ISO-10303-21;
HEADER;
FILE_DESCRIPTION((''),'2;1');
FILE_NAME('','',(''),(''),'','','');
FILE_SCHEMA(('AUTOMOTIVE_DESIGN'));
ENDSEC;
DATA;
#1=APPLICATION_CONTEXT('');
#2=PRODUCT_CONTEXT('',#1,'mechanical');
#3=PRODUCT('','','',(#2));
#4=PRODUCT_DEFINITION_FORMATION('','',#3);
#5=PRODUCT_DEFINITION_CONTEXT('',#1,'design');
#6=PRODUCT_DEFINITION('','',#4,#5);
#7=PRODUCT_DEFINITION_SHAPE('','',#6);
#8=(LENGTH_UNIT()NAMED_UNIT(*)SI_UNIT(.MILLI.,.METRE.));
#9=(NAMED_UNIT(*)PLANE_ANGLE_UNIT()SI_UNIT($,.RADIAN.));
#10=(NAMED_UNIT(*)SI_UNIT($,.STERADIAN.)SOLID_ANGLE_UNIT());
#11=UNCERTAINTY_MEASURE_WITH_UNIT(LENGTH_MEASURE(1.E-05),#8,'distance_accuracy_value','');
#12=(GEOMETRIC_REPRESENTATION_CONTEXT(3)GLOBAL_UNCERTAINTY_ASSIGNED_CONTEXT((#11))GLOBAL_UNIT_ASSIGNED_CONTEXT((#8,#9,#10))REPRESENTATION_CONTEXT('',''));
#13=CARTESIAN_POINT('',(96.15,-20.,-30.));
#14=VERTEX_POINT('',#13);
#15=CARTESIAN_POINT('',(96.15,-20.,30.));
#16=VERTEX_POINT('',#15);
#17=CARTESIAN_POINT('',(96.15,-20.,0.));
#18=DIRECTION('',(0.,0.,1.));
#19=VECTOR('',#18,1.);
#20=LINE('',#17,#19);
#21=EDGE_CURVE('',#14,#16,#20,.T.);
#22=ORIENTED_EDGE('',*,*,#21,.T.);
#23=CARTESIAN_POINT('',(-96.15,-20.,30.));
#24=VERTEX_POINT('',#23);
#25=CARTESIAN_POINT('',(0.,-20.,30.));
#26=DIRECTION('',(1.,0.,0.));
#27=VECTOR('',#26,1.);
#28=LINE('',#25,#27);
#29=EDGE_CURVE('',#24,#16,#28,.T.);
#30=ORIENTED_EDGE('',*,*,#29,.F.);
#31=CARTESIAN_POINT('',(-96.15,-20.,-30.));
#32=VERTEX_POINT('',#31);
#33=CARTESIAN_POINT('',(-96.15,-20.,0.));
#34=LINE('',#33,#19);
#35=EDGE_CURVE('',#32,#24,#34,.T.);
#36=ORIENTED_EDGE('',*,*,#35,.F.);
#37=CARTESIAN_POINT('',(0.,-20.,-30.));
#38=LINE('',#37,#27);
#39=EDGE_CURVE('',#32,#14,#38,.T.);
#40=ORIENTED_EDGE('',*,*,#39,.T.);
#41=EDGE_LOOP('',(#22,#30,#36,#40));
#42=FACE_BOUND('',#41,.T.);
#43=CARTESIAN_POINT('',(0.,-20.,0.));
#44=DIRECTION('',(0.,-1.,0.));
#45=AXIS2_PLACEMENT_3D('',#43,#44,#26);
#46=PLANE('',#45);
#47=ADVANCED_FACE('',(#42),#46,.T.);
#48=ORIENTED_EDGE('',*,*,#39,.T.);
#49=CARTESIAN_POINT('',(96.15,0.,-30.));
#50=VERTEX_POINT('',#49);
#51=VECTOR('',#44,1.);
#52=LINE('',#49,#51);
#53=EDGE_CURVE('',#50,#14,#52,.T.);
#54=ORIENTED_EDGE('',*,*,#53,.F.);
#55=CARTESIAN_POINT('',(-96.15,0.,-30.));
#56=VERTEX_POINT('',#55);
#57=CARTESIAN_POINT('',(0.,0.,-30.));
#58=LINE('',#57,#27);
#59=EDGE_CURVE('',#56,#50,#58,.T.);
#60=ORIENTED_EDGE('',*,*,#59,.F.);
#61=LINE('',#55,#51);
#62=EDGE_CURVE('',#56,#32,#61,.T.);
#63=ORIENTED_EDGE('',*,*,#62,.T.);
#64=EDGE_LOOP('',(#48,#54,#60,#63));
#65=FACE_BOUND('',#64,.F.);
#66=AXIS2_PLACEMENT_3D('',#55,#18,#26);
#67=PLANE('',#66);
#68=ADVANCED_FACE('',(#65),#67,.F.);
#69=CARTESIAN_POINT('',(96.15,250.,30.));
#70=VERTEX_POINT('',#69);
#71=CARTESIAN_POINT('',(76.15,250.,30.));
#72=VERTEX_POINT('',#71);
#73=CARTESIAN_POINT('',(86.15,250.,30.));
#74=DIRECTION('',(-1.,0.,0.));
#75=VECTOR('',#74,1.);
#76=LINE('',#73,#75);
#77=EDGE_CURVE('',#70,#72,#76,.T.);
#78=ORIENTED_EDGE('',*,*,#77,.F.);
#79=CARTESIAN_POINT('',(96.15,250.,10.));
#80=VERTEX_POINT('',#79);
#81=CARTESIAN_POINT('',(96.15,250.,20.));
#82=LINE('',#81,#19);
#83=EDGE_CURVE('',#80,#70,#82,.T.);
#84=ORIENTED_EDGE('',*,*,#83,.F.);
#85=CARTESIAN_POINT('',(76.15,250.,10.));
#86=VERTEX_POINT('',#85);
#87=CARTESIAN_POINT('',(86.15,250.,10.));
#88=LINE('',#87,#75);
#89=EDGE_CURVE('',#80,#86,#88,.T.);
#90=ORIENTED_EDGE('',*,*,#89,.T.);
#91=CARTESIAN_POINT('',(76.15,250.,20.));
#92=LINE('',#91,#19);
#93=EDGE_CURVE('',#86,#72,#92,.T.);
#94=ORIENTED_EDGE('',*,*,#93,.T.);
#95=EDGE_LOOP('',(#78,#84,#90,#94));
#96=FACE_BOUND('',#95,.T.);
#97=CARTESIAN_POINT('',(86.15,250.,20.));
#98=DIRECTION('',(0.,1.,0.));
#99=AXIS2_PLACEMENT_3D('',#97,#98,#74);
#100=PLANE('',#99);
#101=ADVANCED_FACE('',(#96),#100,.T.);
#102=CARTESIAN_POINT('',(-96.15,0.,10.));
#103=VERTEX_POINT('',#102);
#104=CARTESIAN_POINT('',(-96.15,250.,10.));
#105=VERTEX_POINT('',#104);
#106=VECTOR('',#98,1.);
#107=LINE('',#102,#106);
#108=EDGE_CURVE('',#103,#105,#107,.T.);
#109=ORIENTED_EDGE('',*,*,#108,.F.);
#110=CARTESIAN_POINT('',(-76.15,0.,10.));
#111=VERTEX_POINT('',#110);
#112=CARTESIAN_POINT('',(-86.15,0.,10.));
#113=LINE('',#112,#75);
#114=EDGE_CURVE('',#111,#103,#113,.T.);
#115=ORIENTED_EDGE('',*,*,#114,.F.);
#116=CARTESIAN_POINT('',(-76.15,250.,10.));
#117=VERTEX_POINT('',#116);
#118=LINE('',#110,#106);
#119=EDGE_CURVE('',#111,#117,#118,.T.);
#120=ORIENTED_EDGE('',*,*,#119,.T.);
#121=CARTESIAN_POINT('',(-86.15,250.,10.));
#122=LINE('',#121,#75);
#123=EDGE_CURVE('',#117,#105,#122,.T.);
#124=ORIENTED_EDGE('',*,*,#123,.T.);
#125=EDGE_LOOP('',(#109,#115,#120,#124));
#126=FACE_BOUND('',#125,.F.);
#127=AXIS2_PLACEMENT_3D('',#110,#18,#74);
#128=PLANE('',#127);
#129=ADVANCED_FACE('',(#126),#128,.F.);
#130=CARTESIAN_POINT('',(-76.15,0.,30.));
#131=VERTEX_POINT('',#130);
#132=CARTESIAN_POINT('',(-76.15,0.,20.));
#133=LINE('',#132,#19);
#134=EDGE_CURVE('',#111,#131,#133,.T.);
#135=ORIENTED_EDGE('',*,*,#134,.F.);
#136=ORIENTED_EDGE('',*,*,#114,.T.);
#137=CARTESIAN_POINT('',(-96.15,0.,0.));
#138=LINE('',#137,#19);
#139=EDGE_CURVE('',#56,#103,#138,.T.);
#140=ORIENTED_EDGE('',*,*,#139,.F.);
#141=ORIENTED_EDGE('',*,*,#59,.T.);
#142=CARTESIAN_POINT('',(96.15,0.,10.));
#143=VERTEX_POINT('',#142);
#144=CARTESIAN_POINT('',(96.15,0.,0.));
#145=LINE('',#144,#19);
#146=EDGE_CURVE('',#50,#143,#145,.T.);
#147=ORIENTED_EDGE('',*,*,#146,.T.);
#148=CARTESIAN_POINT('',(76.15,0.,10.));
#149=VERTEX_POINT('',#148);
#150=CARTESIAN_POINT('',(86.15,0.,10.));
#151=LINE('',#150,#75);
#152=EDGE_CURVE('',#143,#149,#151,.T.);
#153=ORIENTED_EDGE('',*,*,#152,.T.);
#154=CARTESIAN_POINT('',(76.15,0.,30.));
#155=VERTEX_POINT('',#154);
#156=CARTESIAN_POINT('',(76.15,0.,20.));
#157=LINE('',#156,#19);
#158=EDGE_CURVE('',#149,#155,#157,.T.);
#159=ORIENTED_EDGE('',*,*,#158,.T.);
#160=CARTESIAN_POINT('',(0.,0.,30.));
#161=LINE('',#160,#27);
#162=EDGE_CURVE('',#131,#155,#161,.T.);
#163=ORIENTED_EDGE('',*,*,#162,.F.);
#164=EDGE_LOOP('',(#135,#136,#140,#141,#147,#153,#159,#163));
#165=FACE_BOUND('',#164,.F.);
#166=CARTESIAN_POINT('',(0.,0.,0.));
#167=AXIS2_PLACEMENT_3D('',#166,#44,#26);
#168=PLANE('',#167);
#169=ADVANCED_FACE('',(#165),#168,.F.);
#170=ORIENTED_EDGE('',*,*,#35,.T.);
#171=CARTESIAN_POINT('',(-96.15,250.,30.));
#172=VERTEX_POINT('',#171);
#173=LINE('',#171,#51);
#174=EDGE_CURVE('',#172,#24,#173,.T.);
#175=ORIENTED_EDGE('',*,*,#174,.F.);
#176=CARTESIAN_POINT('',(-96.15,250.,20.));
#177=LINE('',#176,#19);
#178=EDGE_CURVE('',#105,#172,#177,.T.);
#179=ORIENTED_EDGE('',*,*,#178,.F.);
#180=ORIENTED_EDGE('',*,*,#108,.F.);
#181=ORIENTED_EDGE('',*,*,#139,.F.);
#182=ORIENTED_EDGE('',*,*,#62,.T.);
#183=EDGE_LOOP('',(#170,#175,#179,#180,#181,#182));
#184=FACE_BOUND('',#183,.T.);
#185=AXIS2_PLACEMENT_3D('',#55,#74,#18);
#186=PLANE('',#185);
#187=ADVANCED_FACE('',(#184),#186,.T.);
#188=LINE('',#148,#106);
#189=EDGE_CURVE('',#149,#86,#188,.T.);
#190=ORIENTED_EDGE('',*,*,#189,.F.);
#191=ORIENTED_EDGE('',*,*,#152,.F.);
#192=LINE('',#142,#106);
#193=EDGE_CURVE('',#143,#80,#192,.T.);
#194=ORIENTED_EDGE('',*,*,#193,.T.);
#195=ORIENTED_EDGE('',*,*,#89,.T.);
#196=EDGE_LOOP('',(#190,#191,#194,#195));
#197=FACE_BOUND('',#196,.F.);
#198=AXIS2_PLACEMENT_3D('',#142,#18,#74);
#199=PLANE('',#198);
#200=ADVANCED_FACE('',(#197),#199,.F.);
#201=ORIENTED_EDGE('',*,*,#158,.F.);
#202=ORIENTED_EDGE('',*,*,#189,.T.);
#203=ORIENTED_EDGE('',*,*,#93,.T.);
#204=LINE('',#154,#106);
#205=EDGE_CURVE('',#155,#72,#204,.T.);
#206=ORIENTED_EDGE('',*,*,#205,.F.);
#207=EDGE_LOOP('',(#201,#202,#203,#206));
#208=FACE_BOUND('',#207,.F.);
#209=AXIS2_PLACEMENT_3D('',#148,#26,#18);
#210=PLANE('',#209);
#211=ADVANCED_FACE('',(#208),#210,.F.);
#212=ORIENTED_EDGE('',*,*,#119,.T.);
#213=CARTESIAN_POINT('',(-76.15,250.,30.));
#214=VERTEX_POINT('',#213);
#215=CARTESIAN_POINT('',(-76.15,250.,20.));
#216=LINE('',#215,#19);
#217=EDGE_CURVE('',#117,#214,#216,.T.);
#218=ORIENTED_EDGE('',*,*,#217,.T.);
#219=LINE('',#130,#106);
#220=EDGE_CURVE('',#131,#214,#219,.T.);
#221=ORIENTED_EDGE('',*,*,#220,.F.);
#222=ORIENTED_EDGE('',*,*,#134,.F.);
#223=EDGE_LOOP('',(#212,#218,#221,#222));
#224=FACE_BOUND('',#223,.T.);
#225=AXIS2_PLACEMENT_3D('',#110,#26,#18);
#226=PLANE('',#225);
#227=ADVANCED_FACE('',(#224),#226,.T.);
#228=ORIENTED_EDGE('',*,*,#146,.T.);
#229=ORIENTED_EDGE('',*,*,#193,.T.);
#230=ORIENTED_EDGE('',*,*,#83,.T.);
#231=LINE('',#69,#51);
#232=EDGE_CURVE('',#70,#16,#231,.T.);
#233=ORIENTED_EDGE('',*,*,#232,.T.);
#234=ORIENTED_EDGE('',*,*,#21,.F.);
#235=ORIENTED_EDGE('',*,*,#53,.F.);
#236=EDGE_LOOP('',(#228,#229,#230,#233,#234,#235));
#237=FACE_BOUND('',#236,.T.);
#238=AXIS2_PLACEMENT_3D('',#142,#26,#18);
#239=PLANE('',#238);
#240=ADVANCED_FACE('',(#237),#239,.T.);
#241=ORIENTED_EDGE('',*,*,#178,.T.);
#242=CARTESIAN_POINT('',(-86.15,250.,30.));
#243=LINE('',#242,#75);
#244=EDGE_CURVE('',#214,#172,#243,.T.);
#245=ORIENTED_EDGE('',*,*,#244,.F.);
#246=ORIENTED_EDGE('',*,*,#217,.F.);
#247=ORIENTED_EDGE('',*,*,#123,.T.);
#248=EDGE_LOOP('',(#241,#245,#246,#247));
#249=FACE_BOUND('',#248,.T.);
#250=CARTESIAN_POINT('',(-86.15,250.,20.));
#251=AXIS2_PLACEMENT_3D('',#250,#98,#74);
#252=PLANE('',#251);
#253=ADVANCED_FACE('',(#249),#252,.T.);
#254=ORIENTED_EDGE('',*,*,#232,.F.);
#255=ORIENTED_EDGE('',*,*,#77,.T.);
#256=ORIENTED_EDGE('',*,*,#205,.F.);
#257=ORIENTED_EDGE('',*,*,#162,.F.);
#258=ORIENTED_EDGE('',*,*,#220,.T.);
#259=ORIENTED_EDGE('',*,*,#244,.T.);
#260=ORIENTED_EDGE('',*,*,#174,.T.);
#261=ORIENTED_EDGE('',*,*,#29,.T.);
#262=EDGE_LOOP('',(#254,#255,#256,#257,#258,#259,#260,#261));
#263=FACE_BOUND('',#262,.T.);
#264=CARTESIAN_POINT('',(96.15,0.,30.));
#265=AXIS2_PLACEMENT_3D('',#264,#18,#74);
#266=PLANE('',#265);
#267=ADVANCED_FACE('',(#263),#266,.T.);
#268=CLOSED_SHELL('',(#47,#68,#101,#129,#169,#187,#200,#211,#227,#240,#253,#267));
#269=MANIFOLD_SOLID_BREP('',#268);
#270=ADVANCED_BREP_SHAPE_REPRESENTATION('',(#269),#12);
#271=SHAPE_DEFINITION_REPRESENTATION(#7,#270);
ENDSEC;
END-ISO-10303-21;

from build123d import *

# Parameters (mm, degrees)
F0_W     = 192.3
F0_H     = 60
F1_DEPTH = 20
F2_W     = 20
F2_H     = 20
F3_DEPTH = 250


with BuildPart() as f1:
    # F0 (on Front) → F1 (new body)
    with BuildSketch(Plane.XZ):
        Rectangle(F0_W, F0_H)
    extrude(amount=F1_DEPTH)

    # F2 (on face) → F3 (join)
    with BuildSketch(Plane(origin=(0, 0, 0), x_dir=(-1, 0, 0), z_dir=(0, 1, 0))):
        with Locations((-86.15, 20)):
            Rectangle(F2_W, F2_H)
        with Locations((86.15, 20)):
            Rectangle(F2_W, F2_H)
    extrude(amount=F3_DEPTH)


solid = f1.part
